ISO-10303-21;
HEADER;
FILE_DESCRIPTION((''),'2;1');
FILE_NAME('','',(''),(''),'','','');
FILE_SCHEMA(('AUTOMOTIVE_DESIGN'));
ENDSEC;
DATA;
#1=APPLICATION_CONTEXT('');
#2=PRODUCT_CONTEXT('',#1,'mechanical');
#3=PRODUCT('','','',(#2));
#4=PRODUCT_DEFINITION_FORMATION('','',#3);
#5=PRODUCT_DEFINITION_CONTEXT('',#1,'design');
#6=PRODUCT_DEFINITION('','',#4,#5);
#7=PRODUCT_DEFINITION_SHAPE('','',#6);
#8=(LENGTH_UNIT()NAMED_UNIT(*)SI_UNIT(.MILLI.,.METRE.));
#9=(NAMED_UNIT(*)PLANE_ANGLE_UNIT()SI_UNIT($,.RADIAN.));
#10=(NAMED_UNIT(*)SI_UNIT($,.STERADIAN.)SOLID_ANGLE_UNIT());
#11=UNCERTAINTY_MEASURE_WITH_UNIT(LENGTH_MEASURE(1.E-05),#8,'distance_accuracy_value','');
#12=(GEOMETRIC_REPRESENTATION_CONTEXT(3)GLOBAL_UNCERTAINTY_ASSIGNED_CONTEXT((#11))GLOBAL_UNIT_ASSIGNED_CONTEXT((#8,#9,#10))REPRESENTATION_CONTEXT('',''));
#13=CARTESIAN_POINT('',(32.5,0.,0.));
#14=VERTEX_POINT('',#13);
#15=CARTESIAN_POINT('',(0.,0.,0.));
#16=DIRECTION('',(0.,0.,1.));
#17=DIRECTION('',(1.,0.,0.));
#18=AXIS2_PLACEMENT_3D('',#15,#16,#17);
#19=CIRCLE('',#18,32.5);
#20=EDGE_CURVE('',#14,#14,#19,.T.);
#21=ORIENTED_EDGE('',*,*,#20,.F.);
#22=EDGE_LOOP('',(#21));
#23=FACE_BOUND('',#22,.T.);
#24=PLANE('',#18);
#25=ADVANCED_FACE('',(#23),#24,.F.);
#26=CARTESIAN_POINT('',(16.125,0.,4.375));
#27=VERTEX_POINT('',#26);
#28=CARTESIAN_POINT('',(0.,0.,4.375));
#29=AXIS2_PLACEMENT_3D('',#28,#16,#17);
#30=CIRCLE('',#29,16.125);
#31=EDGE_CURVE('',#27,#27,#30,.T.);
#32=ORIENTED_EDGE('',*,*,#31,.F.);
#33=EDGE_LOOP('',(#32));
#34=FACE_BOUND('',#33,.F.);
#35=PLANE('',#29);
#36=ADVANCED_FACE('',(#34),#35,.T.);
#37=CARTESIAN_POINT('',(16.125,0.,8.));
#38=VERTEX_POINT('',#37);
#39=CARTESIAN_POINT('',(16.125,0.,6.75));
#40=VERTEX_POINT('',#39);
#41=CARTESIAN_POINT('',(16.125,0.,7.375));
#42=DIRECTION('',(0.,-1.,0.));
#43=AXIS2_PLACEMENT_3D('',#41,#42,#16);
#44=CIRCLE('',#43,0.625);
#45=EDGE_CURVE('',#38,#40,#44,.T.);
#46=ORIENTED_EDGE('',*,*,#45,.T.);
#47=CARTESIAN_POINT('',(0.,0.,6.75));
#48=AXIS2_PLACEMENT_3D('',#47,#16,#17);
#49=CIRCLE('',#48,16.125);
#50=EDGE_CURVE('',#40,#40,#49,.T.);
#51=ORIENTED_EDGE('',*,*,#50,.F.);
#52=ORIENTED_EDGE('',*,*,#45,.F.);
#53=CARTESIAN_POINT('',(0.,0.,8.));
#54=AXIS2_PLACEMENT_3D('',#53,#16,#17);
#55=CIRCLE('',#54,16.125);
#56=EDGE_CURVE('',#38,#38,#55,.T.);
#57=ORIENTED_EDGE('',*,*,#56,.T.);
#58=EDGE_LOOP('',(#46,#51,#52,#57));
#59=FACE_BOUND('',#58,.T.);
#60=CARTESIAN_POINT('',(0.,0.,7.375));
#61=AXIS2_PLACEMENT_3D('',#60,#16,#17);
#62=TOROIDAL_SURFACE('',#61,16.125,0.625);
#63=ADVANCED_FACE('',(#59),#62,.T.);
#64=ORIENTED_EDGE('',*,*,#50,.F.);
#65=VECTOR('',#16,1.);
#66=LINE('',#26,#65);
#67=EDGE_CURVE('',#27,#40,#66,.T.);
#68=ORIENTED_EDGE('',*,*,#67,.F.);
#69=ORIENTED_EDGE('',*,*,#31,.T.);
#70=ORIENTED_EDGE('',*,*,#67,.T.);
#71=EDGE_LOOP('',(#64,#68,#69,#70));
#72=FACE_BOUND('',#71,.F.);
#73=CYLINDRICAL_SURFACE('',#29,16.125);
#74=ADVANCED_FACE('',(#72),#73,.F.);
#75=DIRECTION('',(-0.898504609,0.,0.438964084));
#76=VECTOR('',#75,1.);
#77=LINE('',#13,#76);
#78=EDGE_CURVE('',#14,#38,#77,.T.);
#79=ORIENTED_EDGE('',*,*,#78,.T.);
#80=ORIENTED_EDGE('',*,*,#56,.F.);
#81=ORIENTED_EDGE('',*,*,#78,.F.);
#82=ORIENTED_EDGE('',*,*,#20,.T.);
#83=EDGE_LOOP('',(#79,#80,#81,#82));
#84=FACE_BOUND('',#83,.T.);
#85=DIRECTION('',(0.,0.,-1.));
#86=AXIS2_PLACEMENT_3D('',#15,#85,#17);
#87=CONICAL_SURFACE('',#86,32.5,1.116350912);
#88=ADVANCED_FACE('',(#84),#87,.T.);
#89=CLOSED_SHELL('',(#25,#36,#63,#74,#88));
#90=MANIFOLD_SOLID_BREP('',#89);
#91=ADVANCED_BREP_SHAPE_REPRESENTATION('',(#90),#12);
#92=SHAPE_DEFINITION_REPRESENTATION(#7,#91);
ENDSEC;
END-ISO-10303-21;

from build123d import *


with BuildPart() as part:
    # Sketch → Revolution (revolve)
    with BuildSketch(Plane.XZ):
        with BuildLine():
            Line((32.5, 0), (16.125, 8))
            ThreePointArc((16.125, 8), (15.5, 7.375), (16.125, 6.75))
            Line((16.125, 4.375), (16.125, 6.75))
            Line((0, 4.375), (16.125, 4.375))
            Line((0, 0), (0, 4.375))
            Line((0, 0), (32.5, 0))
        make_face()
    revolve(axis=Axis((0, 0, 0), (0, 0, 1)))


solid = part.part
